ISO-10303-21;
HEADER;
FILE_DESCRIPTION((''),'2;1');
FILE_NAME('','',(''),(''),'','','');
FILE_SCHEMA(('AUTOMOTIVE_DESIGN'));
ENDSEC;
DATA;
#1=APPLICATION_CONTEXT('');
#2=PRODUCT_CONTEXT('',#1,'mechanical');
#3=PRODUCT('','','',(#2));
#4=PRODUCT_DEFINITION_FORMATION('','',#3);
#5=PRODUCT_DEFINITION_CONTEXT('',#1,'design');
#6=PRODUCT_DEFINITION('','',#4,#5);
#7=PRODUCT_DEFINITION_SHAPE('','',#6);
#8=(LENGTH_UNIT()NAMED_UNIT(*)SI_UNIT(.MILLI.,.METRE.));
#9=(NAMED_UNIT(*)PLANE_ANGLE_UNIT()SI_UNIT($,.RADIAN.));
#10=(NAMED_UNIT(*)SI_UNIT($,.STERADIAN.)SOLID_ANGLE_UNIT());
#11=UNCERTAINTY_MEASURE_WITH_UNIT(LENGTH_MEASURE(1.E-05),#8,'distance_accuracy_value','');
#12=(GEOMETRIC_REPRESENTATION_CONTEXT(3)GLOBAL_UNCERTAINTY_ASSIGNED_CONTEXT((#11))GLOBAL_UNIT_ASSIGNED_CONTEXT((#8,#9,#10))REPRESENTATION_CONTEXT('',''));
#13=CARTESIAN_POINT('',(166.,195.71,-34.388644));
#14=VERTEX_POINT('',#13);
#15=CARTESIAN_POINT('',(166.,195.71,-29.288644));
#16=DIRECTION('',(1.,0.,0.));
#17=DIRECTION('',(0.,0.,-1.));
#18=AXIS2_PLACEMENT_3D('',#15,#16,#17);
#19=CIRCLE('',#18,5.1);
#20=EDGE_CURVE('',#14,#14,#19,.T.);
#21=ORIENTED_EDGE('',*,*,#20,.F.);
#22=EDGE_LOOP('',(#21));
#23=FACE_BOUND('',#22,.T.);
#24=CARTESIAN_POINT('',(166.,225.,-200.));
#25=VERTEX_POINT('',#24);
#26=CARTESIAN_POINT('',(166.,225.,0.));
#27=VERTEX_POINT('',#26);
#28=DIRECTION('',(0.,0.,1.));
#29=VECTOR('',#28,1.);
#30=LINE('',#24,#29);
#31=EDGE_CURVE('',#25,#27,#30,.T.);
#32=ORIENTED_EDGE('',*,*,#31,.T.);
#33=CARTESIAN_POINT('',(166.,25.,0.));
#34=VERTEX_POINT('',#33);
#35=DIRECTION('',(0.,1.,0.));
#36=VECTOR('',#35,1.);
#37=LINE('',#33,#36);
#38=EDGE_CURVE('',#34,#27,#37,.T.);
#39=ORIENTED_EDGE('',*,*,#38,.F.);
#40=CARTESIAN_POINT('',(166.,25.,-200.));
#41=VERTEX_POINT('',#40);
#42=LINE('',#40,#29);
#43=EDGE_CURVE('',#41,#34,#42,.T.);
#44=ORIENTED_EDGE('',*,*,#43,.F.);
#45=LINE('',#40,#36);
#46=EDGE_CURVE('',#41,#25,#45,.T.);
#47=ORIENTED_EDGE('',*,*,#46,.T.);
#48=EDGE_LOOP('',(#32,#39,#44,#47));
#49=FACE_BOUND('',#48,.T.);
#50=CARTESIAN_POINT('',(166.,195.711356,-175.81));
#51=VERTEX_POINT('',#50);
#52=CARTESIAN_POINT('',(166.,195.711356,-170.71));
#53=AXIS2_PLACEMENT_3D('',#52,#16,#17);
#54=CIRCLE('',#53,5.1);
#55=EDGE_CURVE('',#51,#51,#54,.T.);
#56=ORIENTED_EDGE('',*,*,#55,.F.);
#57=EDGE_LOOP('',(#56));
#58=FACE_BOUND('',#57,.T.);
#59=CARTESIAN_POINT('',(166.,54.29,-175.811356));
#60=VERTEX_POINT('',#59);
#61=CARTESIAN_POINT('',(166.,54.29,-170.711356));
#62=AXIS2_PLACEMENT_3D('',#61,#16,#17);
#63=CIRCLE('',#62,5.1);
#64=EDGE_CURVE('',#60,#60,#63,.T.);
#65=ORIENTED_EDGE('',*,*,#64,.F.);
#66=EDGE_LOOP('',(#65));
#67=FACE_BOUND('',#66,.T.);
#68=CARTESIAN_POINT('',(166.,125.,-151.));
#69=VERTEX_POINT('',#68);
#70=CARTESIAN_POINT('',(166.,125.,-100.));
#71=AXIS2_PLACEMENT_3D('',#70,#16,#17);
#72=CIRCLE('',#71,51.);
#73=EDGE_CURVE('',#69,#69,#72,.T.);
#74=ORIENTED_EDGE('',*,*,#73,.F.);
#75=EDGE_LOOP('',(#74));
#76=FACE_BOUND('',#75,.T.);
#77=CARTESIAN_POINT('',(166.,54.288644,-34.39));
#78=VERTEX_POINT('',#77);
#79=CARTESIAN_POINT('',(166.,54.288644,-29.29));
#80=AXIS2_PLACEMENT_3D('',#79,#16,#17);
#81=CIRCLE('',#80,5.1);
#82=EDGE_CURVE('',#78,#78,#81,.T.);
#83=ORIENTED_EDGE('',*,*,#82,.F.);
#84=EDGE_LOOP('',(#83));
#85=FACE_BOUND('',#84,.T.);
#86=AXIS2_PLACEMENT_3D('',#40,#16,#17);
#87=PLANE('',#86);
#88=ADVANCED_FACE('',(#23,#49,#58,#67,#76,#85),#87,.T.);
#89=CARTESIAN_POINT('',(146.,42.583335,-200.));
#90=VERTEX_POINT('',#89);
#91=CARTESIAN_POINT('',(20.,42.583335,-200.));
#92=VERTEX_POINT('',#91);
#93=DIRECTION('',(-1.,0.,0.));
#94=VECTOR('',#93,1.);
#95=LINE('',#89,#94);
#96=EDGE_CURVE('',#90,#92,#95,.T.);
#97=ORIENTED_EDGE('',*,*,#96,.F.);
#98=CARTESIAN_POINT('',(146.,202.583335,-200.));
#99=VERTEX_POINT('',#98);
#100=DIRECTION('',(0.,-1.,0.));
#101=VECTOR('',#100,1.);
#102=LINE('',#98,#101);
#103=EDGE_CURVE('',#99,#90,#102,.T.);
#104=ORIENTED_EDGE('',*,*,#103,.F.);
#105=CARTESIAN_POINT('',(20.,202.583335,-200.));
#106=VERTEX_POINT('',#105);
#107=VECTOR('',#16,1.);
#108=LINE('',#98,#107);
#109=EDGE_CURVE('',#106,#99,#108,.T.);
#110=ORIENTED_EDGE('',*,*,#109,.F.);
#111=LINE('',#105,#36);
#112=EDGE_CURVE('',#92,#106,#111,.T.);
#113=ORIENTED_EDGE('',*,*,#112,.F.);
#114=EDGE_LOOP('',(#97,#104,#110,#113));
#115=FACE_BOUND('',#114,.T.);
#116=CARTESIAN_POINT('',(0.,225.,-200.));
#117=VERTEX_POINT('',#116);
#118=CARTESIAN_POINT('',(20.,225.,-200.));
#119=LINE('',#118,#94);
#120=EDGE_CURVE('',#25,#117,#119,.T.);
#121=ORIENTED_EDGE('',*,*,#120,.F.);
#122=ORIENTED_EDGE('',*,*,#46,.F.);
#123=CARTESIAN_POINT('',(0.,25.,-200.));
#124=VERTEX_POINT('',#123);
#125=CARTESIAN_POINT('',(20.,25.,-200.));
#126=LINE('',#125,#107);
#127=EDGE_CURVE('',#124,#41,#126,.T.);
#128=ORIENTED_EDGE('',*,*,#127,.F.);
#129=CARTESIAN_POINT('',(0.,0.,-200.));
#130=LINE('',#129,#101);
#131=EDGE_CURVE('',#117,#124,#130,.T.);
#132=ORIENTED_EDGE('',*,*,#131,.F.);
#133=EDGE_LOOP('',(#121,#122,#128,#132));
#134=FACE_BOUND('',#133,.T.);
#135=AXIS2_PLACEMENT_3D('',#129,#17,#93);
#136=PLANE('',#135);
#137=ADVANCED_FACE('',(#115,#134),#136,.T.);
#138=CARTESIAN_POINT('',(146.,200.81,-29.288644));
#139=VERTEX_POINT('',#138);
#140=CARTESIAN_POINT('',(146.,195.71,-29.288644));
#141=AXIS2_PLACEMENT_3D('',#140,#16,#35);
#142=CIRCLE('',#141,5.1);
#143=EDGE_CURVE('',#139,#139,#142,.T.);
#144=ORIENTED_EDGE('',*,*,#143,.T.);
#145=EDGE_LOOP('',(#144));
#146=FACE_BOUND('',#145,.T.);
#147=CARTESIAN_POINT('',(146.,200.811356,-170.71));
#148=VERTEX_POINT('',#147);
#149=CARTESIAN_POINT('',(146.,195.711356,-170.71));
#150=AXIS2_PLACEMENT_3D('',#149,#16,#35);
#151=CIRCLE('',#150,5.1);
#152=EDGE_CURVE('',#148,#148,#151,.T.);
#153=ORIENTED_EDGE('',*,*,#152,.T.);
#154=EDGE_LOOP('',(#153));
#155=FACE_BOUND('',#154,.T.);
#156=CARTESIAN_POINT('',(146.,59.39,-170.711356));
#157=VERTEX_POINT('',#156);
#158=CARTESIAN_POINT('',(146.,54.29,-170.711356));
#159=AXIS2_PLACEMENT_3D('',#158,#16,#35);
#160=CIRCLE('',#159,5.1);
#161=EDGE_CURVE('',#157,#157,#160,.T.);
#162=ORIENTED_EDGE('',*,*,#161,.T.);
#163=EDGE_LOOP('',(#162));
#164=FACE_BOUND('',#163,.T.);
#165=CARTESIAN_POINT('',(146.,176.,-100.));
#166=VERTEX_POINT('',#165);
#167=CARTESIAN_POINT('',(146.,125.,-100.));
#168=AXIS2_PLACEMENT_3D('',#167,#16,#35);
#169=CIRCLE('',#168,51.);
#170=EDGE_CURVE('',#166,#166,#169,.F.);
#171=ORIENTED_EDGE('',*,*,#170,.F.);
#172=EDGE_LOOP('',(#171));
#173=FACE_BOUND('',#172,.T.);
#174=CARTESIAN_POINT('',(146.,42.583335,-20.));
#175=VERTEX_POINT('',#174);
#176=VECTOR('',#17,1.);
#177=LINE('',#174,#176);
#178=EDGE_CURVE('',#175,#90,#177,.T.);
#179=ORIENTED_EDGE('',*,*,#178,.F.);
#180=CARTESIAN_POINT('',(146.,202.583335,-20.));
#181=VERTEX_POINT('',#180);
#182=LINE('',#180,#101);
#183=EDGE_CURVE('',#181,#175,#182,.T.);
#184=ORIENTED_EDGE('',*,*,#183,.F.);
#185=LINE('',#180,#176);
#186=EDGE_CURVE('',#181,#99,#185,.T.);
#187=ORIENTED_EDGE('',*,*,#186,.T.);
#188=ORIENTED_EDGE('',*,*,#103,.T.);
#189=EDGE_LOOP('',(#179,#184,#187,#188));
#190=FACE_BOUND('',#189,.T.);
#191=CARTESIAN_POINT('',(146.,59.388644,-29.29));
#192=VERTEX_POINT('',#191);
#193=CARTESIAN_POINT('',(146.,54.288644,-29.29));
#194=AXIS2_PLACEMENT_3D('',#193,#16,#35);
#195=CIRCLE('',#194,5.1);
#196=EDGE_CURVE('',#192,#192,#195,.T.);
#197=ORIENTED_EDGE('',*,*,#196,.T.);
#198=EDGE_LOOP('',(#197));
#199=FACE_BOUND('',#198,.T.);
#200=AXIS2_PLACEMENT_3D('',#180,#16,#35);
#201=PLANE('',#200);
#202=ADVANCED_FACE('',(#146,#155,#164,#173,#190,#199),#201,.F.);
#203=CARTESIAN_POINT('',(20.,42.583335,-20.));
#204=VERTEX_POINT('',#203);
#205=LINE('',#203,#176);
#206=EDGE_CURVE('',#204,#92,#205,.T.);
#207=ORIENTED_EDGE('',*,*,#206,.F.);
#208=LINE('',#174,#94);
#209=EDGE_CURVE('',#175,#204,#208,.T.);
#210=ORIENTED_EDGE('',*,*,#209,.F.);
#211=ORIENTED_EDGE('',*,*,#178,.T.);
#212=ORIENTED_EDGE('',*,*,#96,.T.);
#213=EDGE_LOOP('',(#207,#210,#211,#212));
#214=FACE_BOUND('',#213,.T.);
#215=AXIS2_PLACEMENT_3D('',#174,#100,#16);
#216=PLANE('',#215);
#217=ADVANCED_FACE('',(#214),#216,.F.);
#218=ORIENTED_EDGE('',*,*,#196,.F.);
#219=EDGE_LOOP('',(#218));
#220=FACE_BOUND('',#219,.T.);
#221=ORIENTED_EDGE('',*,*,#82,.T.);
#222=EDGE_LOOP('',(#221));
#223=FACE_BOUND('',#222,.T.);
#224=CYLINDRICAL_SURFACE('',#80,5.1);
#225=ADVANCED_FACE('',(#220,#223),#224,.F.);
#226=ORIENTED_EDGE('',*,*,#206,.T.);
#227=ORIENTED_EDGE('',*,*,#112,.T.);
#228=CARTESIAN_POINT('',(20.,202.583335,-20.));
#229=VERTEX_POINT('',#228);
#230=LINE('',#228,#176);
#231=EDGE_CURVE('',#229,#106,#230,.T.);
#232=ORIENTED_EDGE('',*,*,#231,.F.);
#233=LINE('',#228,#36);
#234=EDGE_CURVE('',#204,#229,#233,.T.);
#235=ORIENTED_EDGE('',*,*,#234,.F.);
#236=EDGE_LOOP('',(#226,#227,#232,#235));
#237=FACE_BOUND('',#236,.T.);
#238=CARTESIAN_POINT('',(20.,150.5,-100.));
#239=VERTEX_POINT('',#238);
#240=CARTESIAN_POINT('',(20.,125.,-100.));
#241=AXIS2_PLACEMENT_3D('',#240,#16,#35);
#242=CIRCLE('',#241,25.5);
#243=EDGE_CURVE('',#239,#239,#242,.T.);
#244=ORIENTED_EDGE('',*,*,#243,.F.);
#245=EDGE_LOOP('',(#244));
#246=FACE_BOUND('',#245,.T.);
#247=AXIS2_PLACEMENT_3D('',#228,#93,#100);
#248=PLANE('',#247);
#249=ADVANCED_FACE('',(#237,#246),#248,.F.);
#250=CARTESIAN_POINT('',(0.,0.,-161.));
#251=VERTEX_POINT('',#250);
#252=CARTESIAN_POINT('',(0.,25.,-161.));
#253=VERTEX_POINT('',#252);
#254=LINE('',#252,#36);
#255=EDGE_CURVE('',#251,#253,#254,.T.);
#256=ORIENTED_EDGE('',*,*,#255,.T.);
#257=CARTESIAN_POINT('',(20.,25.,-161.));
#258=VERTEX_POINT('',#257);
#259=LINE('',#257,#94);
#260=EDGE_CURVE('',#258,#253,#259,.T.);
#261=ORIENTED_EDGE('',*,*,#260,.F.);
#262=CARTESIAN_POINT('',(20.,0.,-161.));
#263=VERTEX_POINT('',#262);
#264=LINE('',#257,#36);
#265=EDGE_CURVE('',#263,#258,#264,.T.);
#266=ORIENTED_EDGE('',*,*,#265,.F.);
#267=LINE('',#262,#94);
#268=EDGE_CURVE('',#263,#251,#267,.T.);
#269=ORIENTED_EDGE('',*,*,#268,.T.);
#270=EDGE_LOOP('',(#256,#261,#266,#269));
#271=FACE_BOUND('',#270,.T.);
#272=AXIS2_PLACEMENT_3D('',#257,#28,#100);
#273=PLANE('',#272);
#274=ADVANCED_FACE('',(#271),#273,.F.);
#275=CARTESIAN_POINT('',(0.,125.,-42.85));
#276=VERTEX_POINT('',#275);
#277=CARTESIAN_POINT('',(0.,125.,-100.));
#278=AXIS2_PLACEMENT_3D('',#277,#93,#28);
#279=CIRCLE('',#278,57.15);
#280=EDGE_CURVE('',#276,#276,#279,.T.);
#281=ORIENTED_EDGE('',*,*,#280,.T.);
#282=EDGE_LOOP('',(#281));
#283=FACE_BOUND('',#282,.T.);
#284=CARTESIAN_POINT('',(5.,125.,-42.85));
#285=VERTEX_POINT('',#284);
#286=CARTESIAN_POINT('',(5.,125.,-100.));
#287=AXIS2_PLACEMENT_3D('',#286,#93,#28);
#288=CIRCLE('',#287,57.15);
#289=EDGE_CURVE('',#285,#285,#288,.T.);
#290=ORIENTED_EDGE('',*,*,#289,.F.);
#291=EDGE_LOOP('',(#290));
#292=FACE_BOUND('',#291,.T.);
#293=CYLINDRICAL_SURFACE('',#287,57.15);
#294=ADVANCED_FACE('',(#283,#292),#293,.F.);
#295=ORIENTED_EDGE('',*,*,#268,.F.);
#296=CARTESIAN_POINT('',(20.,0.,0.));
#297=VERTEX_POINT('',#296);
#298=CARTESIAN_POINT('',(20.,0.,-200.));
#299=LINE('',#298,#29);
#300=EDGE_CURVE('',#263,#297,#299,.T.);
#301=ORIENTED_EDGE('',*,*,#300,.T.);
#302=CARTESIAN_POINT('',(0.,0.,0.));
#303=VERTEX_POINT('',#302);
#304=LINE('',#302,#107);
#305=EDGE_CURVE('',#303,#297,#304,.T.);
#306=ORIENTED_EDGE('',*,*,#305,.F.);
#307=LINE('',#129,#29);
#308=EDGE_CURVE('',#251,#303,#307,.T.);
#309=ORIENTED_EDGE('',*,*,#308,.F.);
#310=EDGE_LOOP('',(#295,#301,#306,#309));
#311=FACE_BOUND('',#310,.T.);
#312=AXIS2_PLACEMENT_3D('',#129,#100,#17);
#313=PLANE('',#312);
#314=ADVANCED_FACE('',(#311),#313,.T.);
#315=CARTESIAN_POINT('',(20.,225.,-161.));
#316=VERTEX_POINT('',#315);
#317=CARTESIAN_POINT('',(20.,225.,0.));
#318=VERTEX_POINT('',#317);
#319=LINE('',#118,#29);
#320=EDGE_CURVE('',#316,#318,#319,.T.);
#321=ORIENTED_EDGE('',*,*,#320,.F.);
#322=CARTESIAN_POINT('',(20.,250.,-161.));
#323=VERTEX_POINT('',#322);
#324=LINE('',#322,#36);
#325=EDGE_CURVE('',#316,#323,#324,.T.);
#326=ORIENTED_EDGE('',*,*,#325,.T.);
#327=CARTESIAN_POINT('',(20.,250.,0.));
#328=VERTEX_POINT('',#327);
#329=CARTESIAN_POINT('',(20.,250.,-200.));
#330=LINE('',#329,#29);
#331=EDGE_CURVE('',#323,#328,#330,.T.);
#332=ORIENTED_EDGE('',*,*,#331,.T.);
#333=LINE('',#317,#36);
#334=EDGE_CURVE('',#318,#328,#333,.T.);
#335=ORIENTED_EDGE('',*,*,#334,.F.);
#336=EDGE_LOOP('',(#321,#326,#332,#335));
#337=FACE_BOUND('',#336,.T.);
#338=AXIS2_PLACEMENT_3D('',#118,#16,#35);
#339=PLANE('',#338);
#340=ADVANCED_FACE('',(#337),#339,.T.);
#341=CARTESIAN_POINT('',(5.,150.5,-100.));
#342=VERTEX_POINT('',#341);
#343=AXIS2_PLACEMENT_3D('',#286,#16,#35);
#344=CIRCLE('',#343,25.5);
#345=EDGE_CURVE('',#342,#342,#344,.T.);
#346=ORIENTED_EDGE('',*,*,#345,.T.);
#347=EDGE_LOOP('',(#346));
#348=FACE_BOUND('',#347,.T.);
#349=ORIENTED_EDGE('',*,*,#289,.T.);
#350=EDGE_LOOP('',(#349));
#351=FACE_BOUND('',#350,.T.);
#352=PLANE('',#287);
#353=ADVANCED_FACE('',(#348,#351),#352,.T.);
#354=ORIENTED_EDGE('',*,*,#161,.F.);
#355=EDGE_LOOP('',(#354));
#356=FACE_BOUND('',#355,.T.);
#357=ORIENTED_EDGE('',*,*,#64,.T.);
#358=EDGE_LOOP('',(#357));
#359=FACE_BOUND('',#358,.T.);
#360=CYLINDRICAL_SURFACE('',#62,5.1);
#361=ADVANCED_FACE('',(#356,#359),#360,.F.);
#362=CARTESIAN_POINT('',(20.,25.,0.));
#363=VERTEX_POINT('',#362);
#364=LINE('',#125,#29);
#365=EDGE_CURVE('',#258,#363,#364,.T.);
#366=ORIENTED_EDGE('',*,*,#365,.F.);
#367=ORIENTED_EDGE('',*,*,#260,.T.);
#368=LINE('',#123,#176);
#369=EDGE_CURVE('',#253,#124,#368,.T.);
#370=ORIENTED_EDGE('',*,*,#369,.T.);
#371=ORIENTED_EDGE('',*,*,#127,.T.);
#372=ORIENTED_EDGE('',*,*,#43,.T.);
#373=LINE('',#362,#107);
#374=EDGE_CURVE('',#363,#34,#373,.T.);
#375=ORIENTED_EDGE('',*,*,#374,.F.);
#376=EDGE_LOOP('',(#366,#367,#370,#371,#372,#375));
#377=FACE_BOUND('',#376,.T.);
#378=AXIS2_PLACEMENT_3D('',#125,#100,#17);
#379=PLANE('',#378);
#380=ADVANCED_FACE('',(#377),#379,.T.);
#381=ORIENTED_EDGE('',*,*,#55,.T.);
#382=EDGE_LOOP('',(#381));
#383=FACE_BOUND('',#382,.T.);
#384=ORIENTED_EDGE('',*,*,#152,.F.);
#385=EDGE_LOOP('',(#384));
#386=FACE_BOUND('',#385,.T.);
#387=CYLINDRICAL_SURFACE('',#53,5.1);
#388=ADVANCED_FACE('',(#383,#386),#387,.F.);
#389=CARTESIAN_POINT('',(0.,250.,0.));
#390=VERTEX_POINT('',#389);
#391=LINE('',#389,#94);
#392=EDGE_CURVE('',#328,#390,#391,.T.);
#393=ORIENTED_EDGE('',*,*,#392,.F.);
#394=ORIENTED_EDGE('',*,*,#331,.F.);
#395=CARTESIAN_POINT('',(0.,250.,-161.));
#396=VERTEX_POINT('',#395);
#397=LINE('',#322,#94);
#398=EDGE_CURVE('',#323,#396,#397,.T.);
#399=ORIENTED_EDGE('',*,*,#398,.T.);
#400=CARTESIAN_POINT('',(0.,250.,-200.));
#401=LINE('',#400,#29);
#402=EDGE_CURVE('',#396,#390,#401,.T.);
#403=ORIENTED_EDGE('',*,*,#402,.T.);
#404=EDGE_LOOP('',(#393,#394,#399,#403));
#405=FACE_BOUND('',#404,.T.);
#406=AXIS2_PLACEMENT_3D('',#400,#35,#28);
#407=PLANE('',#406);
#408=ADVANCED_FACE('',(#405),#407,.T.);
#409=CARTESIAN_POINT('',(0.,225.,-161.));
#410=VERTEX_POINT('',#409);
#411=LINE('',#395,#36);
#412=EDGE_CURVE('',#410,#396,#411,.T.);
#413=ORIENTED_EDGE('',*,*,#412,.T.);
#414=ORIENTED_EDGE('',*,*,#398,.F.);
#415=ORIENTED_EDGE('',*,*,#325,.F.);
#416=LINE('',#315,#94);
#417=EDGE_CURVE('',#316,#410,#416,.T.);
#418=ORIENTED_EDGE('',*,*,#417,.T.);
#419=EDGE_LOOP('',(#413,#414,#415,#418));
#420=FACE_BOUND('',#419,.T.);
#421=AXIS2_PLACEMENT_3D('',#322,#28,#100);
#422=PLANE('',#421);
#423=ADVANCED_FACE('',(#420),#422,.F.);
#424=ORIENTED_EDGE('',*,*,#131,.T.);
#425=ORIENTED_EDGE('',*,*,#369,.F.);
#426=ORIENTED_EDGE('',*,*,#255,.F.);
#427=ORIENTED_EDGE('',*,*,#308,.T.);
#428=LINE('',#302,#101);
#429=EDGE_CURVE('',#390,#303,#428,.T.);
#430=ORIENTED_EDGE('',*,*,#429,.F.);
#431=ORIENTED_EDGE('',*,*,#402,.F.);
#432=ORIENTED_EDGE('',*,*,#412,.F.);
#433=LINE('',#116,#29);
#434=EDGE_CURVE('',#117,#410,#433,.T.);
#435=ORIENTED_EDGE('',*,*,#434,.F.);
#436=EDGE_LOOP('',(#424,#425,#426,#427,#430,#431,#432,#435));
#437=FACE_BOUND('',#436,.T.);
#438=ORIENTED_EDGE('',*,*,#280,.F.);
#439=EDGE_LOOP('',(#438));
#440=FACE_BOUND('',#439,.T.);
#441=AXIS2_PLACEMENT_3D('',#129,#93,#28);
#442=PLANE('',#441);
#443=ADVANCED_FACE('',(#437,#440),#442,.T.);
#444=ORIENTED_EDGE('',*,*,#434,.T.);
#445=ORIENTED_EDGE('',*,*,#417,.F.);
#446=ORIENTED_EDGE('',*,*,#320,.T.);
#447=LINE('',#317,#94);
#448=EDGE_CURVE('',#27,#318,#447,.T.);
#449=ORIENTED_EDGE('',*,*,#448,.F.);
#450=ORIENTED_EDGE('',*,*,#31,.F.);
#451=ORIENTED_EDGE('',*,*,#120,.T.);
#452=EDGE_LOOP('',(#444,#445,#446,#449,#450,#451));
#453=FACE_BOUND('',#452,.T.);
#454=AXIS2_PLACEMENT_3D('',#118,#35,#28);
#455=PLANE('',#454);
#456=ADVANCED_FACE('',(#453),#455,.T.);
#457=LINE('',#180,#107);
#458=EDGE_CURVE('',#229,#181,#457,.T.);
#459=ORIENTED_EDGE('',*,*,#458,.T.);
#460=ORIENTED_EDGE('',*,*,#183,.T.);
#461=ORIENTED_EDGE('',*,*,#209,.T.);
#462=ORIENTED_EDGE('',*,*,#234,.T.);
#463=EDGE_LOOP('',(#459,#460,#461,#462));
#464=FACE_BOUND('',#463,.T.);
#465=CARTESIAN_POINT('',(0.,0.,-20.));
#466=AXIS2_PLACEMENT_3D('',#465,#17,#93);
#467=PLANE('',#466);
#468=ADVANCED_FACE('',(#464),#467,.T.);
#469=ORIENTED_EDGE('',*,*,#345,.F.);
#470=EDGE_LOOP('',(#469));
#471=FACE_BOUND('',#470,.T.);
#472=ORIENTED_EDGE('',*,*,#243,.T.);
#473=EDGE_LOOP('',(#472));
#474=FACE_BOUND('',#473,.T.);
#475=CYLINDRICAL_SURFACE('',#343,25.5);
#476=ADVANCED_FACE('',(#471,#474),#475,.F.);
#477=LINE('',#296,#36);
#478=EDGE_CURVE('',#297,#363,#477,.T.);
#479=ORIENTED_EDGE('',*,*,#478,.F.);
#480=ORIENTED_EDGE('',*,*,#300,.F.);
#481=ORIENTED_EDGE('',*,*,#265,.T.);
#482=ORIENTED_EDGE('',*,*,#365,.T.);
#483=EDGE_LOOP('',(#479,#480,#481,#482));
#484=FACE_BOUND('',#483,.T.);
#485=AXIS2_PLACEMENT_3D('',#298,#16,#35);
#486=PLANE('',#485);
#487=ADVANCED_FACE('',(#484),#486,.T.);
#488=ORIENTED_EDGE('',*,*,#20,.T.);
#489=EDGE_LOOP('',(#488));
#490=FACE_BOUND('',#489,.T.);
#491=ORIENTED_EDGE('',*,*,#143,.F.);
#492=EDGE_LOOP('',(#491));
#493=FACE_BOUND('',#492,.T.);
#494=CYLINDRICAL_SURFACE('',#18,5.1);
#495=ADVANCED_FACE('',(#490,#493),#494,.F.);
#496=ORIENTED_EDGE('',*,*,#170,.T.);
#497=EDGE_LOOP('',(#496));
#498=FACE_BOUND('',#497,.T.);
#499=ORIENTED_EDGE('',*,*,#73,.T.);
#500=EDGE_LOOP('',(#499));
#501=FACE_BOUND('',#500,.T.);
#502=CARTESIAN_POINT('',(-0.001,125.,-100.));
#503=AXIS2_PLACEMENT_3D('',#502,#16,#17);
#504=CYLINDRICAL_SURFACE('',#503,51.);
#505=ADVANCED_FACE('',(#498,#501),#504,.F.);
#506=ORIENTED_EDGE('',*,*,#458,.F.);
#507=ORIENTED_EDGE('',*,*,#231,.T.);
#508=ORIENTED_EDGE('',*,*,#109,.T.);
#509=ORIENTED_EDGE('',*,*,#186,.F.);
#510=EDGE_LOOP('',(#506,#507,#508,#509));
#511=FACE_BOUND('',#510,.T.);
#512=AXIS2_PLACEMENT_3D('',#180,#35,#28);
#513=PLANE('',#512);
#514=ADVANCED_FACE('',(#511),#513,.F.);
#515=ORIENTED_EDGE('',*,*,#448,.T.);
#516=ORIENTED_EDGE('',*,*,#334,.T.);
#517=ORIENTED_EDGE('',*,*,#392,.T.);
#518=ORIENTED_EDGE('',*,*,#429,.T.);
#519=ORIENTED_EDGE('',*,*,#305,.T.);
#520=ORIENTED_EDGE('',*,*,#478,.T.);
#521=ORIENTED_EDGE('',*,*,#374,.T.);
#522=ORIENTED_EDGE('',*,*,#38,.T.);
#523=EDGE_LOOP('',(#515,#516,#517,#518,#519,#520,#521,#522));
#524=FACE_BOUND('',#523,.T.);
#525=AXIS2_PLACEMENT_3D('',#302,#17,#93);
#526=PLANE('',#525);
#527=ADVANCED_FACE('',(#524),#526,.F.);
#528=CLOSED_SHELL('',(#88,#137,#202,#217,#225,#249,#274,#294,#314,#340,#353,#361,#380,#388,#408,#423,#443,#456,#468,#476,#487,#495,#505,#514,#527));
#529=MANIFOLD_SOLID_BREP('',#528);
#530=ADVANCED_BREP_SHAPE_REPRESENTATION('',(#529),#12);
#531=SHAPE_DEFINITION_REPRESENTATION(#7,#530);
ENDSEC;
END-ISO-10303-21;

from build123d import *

# Parameters (mm, degrees)
EXTRUDE_1_DEPTH          = 200
SKETCH_2_W               = 39
SKETCH_2_H               = 25
CUT_EXTRUDE_1_DEPTH      = 20
SKETCH_3_W               = 126
SKETCH_3_H               = 160
CUT_EXTRUDE_2_DEPTH      = 180
CUT_EXTRUDE_3_REACH      = 362.633
SKETCH_4_R               = 51
SKETCH_5_R               = 25.5
CUT_EXTRUDE_4_DEPTH      = 15
SKETCH_6_R               = 57.15
CUT_EXTRUDE_5_DEPTH      = 5
PATTERN_CIRCULAR_1_COUNT = 4


with BuildPart() as part:
    # 草图1 → 凸台-拉伸1 (new body)
    with BuildSketch(Plane.XY):
        Polygon((20, 225), (20, 250), (0, 250), (0, 0), (20, 0), (20, 25), (166, 25), (166, 225), align=None)
    extrude(amount=-EXTRUDE_1_DEPTH)

    # 草图2 → 切除-拉伸1 (cut)
    with BuildSketch(Plane.ZY):
        with Locations((-180.5, 237.5)):
            Rectangle(SKETCH_2_W, SKETCH_2_H)
        with Locations((-180.5, 12.5)):
            Rectangle(SKETCH_2_W, SKETCH_2_H)
    extrude(amount=-CUT_EXTRUDE_1_DEPTH, mode=Mode.SUBTRACT)

    # 草图3 → 切除-拉伸2 (cut)
    with BuildSketch(Plane(origin=(0, 0, -200), x_dir=(-1, 0, 0), z_dir=(0, 0, -1))):
        with Locations((-83, 122.583335177)):
            Rectangle(SKETCH_3_W, SKETCH_3_H)
    extrude(amount=-CUT_EXTRUDE_2_DEPTH, mode=Mode.SUBTRACT)

    # 草图4 → 切除-拉伸3 (cut, up to next)
    with BuildSketch(Plane(origin=(166, 0, 0), x_dir=(0, 0, -1), z_dir=(1, 0, 0)), mode=Mode.PRIVATE) as cut_extrude_3_sk1:
        with Locations((100, 125)):
            Circle(SKETCH_4_R)
    cut_extrude_3_tool1 = extrude(cut_extrude_3_sk1.sketch, amount=-CUT_EXTRUDE_3_REACH, mode=Mode.PRIVATE) & part.part
    add(cut_extrude_3_tool1.solids().sort_by_distance((166, 125, -100))[0], mode=Mode.SUBTRACT)

    # 草图5 → 切除-拉伸4 (cut)
    with BuildSketch(Plane(origin=(20, 0, 0), x_dir=(0, 0, -1), z_dir=(1, 0, 0))):
        with Locations(Location((100, 125, 0), (0, 0, 90))):
            Circle(SKETCH_5_R)
    extrude(amount=-CUT_EXTRUDE_4_DEPTH, mode=Mode.SUBTRACT)

    # 草图6 → 切除-拉伸5 (cut)
    with BuildSketch(Plane.ZY):
        with Locations((-100, 125)):
            Circle(SKETCH_6_R)
    extrude(amount=-CUT_EXTRUDE_5_DEPTH, mode=Mode.SUBTRACT)

    # 草图9 → M12 螺纹孔1 (revolve, cut)
    with BuildSketch(Plane(origin=(166, 195.711356231, -170.71), x_dir=(0, 0, -1), z_dir=(0, 1, 0))):
        Polygon((0, 0), (0, 29.25), (5.1, 26.185610843), (5.1, 0), align=None)
    hole_wizard_m12_1 = revolve(axis=Axis((172.35, 195.711356231, -170.71), (-1, 0, 0)), mode=Mode.SUBTRACT)

    # 阵列(圆周)1: M12 螺纹孔1 ×4 about axis
    pattern_circular_1_axis = Axis((0, 125, -100), (1, 0, 0))
    for i in range(1, PATTERN_CIRCULAR_1_COUNT):
        add(hole_wizard_m12_1.rotate(pattern_circular_1_axis, i * 360 / PATTERN_CIRCULAR_1_COUNT), mode=Mode.SUBTRACT)


solid = part.part
